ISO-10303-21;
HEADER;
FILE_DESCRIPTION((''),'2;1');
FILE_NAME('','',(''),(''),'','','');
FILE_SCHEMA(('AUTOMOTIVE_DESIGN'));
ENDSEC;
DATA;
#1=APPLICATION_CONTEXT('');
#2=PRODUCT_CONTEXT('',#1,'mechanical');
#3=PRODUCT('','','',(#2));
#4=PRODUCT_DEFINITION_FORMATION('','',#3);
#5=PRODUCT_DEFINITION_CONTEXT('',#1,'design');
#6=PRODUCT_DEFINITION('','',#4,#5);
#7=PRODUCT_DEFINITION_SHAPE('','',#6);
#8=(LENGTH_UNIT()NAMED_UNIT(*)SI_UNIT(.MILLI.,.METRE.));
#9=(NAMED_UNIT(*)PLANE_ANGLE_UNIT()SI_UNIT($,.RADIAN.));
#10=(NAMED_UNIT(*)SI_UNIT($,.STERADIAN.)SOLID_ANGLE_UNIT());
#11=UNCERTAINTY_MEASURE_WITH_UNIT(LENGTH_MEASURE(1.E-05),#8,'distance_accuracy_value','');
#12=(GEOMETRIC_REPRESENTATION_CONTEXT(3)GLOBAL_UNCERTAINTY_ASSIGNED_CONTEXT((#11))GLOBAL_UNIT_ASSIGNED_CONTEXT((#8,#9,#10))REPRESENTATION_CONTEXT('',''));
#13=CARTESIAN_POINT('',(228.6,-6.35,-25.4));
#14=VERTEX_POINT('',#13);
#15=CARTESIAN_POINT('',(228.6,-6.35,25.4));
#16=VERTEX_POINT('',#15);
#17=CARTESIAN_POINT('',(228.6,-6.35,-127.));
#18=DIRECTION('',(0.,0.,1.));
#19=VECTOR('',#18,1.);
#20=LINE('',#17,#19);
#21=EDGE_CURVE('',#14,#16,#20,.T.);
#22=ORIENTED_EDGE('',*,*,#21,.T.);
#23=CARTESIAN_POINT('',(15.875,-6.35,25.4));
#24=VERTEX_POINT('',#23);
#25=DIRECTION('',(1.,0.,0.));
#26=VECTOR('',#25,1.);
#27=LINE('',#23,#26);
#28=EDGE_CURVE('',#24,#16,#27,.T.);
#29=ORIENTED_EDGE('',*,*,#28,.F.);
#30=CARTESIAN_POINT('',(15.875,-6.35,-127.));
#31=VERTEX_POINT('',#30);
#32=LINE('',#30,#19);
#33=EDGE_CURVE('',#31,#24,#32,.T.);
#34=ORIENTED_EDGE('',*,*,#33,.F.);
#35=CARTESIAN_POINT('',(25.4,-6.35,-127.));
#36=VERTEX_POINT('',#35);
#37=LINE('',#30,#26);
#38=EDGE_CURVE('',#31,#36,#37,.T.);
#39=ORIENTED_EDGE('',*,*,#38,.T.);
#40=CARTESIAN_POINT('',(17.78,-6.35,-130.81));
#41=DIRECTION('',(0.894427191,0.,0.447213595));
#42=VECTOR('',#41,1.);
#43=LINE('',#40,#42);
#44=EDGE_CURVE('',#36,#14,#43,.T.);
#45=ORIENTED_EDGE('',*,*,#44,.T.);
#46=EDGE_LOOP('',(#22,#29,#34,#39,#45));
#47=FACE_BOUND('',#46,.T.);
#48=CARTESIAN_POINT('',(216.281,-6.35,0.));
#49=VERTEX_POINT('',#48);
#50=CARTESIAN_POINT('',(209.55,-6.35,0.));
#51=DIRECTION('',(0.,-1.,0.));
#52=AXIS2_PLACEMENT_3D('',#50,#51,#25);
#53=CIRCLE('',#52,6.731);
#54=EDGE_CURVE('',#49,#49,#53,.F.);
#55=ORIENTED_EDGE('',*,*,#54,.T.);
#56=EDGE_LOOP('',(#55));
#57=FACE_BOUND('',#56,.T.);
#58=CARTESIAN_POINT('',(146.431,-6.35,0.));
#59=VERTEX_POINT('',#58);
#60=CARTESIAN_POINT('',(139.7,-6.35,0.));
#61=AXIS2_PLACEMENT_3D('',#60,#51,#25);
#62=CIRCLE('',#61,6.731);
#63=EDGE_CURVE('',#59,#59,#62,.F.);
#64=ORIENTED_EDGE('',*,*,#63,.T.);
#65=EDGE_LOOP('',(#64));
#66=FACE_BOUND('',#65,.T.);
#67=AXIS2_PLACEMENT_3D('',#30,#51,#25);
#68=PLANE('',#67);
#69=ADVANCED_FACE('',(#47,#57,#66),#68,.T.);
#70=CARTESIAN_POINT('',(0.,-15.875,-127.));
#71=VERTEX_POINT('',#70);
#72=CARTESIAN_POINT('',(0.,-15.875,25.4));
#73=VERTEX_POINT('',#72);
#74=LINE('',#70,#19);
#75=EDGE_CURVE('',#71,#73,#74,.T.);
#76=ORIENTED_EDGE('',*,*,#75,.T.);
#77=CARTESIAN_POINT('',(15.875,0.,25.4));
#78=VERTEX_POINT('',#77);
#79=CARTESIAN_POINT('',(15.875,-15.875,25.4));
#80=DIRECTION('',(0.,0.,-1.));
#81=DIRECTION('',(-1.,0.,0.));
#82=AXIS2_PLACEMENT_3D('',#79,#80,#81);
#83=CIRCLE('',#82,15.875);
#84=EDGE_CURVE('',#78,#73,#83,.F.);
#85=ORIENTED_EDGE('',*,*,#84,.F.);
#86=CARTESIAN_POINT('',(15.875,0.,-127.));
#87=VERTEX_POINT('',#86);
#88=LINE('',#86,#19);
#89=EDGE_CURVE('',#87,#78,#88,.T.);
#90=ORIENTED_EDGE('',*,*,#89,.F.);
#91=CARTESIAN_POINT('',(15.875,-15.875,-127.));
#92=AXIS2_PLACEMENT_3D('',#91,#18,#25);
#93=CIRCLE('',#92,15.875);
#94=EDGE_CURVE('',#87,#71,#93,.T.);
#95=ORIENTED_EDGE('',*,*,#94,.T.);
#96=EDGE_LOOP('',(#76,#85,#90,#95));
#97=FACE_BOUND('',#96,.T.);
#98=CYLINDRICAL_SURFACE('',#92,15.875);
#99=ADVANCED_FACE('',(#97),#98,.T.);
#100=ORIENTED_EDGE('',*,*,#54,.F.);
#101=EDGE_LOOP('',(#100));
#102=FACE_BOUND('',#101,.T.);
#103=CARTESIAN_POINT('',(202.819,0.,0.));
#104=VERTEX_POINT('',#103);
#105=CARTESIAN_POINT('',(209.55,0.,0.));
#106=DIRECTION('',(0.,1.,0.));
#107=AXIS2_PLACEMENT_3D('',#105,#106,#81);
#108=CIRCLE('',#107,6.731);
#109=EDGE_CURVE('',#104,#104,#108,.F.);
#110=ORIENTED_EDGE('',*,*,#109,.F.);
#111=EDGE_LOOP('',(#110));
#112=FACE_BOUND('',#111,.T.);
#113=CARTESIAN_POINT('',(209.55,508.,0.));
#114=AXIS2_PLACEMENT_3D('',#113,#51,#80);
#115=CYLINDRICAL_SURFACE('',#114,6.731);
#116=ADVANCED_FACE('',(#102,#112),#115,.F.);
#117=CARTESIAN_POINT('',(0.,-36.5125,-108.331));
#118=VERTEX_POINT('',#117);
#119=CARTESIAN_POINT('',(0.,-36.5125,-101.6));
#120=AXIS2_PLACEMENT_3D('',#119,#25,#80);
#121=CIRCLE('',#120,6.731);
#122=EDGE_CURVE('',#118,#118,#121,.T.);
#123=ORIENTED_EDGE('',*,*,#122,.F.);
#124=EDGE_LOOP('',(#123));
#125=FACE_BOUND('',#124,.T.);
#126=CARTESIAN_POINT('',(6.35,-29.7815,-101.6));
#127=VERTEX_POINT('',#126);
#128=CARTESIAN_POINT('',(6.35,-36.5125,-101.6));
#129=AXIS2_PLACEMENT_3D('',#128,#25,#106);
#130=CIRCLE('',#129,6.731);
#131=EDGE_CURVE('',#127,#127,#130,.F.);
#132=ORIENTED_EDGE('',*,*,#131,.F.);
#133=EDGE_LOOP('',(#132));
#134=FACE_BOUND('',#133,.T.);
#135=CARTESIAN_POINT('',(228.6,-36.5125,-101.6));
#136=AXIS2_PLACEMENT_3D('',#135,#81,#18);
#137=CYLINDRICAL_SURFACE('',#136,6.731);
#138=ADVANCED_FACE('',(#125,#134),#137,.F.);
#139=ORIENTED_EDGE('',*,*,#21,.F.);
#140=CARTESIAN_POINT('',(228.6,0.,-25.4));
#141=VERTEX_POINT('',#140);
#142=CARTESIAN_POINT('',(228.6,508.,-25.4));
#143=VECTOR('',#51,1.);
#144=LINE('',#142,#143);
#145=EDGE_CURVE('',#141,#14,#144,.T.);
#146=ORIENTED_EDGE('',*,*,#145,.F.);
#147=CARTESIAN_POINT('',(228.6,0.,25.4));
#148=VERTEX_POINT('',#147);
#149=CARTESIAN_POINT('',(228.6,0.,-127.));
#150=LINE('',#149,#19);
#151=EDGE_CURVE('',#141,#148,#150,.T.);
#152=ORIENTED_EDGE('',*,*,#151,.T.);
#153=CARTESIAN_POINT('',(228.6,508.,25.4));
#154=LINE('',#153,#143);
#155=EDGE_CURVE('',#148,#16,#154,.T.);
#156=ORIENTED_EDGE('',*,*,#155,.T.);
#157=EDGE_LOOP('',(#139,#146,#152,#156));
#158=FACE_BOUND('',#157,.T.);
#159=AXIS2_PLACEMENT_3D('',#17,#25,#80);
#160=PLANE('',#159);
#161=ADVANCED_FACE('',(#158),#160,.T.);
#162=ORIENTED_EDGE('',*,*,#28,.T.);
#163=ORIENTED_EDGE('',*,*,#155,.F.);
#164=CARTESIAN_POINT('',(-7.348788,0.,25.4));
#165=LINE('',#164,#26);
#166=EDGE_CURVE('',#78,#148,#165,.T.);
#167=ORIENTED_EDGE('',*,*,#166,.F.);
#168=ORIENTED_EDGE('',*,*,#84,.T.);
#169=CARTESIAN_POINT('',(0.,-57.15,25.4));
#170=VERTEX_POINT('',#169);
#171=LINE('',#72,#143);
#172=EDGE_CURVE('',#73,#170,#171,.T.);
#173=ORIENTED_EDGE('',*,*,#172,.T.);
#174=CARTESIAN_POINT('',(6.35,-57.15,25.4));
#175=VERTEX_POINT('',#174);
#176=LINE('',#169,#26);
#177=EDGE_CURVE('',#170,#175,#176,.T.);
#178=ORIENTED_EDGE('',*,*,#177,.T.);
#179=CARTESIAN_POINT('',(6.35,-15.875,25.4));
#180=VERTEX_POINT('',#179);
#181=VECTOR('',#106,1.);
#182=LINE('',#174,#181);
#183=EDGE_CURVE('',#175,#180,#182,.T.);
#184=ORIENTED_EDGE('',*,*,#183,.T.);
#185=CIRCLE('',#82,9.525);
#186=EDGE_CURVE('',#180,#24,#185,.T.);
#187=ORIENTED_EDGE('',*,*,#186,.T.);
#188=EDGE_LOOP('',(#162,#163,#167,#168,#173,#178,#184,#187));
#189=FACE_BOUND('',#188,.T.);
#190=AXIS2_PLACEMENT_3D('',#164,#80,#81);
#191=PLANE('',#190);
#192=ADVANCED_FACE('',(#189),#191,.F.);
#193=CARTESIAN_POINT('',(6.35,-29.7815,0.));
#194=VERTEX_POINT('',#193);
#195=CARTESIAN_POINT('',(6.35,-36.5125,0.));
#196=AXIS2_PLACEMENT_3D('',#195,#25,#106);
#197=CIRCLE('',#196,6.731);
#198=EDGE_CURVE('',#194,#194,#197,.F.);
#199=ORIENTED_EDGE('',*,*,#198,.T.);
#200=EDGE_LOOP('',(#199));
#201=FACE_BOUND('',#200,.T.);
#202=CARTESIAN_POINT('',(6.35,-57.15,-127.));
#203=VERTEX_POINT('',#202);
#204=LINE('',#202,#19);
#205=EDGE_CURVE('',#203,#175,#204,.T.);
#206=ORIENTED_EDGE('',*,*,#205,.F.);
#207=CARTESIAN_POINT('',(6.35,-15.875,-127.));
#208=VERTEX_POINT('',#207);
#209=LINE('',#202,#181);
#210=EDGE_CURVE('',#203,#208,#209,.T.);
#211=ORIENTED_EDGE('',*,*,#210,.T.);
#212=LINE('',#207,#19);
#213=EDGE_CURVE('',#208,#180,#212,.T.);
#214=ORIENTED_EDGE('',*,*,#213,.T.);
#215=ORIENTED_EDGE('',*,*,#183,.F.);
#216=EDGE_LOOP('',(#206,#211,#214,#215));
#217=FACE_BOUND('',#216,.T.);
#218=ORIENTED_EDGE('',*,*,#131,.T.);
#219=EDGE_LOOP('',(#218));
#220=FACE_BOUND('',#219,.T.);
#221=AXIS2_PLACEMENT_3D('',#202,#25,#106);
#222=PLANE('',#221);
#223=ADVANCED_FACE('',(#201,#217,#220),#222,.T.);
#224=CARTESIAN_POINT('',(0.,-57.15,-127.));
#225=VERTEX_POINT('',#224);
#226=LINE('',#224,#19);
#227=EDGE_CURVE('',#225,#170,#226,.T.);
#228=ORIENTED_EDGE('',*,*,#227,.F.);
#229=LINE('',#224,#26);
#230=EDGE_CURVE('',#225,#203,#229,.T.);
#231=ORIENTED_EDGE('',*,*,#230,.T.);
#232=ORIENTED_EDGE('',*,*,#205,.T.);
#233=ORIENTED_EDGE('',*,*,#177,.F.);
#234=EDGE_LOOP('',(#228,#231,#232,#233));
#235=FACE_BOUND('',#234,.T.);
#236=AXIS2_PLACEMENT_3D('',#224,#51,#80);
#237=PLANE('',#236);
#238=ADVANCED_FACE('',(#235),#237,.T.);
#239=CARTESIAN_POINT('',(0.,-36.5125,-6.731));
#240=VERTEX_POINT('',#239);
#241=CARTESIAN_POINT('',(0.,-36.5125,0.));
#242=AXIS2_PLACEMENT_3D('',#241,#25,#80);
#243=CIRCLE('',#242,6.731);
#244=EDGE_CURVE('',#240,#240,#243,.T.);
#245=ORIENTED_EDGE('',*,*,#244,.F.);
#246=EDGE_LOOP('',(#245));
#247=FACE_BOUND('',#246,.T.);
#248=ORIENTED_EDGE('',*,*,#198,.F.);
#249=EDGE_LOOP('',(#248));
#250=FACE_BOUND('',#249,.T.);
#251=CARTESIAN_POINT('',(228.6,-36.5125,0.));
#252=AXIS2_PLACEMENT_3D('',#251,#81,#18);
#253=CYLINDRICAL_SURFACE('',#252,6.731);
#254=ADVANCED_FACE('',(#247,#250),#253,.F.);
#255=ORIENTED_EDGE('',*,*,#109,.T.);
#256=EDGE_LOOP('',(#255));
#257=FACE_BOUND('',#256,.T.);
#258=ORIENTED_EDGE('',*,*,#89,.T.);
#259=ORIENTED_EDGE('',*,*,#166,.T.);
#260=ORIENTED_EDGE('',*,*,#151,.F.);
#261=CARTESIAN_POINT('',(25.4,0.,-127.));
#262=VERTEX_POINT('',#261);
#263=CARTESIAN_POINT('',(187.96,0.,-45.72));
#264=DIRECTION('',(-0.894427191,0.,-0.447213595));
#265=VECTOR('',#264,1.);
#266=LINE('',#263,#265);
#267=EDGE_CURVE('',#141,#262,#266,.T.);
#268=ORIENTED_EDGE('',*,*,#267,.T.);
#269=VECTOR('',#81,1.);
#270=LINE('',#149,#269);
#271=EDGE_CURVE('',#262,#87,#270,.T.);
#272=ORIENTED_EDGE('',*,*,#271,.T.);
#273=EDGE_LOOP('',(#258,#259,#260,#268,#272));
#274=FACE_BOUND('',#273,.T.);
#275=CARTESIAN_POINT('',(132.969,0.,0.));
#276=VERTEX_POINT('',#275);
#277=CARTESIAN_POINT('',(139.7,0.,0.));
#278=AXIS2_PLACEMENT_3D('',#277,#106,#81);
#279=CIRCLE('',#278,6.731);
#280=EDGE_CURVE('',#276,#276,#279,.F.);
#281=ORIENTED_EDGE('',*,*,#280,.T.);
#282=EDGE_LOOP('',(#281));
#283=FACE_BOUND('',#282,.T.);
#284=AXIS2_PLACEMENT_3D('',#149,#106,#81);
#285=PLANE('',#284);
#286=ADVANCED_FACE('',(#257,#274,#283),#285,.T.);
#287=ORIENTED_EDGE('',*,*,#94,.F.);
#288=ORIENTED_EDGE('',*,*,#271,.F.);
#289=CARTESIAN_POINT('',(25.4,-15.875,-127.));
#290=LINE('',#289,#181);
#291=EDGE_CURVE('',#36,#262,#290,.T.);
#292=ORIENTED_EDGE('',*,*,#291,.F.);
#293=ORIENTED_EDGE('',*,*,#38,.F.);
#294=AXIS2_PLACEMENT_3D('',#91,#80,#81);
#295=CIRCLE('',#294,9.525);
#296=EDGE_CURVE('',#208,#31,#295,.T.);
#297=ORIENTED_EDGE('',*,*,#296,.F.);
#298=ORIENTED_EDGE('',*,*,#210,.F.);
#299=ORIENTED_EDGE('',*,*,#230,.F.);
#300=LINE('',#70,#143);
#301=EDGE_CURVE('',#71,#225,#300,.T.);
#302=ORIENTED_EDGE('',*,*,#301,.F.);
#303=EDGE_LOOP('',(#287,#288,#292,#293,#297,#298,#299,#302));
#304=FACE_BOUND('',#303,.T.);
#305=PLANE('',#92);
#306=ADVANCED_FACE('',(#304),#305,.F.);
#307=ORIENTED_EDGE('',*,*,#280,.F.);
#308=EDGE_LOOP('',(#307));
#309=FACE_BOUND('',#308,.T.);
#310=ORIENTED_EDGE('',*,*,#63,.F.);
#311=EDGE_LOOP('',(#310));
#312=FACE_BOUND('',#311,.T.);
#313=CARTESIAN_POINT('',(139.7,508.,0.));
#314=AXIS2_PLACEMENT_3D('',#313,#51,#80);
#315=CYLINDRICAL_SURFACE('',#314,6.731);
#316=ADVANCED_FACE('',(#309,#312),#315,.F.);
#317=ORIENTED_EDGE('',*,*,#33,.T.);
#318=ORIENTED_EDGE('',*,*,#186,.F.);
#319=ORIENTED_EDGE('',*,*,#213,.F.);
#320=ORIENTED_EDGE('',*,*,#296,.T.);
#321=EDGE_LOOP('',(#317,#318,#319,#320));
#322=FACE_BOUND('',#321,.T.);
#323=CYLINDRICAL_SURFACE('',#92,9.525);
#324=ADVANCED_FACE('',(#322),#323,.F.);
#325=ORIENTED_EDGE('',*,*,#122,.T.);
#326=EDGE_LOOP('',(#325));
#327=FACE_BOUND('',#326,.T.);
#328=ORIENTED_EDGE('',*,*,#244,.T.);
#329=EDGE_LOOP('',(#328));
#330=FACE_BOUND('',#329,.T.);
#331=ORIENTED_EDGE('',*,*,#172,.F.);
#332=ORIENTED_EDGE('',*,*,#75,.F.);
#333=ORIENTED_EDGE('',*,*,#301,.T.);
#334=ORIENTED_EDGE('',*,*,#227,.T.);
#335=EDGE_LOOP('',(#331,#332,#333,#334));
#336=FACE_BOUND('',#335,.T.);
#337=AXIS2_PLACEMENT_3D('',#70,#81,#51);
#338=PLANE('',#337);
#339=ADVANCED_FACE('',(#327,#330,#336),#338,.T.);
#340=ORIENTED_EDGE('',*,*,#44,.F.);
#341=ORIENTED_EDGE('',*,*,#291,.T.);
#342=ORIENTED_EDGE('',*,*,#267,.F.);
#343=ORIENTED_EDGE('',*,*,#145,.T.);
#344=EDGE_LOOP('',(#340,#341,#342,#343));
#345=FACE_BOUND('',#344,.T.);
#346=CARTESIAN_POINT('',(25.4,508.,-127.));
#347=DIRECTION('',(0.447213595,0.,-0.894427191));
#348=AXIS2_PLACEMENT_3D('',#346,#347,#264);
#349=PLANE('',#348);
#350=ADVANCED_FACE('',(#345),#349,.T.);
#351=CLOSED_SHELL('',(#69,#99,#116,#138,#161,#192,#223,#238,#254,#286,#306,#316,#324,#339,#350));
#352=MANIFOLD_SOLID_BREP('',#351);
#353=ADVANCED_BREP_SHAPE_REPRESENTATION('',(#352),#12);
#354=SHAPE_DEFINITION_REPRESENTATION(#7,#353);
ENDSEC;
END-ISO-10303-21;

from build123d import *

# Parameters (mm, degrees)
EXTRUDE1_DEPTH         = 127
SKETCH2_R              = 6.731
CUT_CHAMFER_DEPTH      = 508
CUT_CHAMFER_DEPTH_BACK = 58.15
SKETCH3_R              = 6.731
CUT_HOLES_DEPTH        = 229.6
CUT_LH_001_DEPTH       = 58.15


with BuildPart() as part:
    # Sketch1 → Extrude1 (new body, symmetric)
    with BuildSketch(Plane.XY):
        with BuildLine():
            Line((228.6, 0), (15.875, 0))
            ThreePointArc((15.875, 0), (4.649679849, -4.649679849), (0, -15.875))
            Line((0, -15.875), (0, -57.15))
            Line((0, -57.15), (6.35, -57.15))
            Line((6.35, -57.15), (6.35, -15.875))
            ThreePointArc((6.35, -15.875), (9.139807909, -9.139807909), (15.875, -6.35))
            Line((15.875, -6.35), (228.6, -6.35))
            Line((228.6, -6.35), (228.6, 0))
        make_face()
    extrude(amount=EXTRUDE1_DEPTH, both=True)

    # Sketch2 → Cut-Chamfer (cut, two sides)
    with BuildSketch(Plane(origin=(0, 0, 0), x_dir=(1, 0, 0), z_dir=(0, 1, 0))) as cut_chamfer_sk:
        with Locations((209.55, 0)):
            Circle(SKETCH2_R)
        with Locations((139.7, 0)):
            Circle(SKETCH2_R)
        Polygon((25.4, 127), (228.6, 25.4), (228.6, 127), align=None)
        Polygon((25.4, -127), (228.6, -25.4), (228.6, -127), align=None)
    extrude(amount=CUT_CHAMFER_DEPTH, mode=Mode.SUBTRACT)
    extrude(cut_chamfer_sk.sketch, amount=-CUT_CHAMFER_DEPTH_BACK, mode=Mode.SUBTRACT)

    # Sketch3 → Cut-Holes (cut, through all)
    with BuildSketch(Plane(origin=(0, 0, 0), x_dir=(0, 0, -1), z_dir=(1, 0, 0))):
        with Locations((0, -36.5125)):
            Circle(SKETCH3_R)
        with Locations((101.6, -36.5125)):
            Circle(SKETCH3_R)
        with Locations((0, -150.8125)):
            Circle(SKETCH3_R)
        with Locations((101.6, -150.8125)):
            Circle(SKETCH3_R)
        with Locations((-101.6, -36.5125)):
            Circle(SKETCH3_R)
        with Locations((-101.6, -150.8125)):
            Circle(SKETCH3_R)
    extrude(amount=CUT_HOLES_DEPTH, mode=Mode.SUBTRACT)

    # Sketch5 → Cut LH -001 (cut, through all)
    with BuildSketch(Plane(origin=(0, 0, 0), x_dir=(1, 0, 0), z_dir=(0, 1, 0))):
        Polygon((-579.123087515, -25.4), (-7.348788452, -25.4), (228.6, -25.4), (800.374299063, -25.4), (800.374299063, -1168.948598126), (-579.123087515, -1168.948598126), align=None)
    extrude(amount=-CUT_LH_001_DEPTH, mode=Mode.SUBTRACT)


solid = part.part
